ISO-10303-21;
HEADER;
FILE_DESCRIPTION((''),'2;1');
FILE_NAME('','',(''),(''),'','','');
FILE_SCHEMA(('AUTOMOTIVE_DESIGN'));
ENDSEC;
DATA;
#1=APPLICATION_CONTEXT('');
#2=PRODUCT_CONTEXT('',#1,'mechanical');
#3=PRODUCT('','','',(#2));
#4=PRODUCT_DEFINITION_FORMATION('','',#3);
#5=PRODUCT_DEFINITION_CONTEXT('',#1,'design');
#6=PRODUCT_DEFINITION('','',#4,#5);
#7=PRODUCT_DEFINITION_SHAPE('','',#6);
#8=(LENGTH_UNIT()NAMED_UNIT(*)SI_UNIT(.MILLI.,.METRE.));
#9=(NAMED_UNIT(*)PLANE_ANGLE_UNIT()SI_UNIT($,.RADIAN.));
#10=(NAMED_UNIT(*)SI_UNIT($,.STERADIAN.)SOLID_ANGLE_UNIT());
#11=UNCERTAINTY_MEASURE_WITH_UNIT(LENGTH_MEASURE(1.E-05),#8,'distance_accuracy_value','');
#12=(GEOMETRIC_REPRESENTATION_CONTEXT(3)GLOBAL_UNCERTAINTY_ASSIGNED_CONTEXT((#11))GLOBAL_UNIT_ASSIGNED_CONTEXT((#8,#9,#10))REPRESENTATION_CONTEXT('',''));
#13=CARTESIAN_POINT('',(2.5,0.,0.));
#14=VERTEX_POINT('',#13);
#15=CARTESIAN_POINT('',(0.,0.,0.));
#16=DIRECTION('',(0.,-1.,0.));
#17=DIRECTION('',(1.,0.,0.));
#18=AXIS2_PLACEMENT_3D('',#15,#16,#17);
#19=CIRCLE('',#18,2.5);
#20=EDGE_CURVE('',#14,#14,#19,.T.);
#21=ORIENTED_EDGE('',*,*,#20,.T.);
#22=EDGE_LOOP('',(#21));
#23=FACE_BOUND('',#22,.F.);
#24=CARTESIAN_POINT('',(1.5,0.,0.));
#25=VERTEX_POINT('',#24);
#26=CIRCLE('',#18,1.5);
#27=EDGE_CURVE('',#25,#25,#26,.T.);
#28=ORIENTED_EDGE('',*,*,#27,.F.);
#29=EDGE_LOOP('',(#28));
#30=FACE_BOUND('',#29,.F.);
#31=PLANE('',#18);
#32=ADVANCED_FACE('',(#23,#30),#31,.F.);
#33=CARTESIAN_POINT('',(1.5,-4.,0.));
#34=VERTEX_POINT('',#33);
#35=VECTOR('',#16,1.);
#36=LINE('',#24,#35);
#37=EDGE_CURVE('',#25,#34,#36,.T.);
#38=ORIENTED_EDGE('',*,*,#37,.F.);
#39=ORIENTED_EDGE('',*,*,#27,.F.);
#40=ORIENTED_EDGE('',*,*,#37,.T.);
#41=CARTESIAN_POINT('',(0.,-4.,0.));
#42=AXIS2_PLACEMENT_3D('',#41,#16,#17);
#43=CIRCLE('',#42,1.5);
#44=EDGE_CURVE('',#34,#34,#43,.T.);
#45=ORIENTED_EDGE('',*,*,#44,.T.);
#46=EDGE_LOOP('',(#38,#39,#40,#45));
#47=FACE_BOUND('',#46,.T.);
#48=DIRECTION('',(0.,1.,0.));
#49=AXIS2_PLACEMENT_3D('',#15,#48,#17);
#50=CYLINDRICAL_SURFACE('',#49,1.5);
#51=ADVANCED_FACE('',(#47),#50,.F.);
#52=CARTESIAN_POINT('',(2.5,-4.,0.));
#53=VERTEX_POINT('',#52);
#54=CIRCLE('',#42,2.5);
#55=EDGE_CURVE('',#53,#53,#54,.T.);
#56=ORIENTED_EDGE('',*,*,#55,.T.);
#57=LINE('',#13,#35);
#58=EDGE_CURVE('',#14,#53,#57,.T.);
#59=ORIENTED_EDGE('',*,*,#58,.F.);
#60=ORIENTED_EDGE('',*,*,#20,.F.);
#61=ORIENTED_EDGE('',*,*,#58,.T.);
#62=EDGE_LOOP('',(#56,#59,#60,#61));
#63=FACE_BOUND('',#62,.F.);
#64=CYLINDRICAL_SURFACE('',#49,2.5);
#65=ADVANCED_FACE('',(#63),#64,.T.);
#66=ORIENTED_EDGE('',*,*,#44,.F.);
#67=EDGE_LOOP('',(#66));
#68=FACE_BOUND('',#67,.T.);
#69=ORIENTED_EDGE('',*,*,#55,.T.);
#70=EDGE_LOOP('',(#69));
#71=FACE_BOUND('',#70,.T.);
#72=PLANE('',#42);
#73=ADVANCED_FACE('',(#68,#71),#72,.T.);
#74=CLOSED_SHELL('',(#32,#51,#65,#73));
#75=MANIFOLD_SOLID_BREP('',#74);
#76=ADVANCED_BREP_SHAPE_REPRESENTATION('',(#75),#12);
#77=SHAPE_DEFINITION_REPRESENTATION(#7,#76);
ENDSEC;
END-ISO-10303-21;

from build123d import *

# Parameters (mm, degrees)
F0_R     = 2.5
F0_R_2   = 1.5
F1_DEPTH = 4
F3_ANGLE = 90


with BuildPart() as f1:
    # F0 (on Top) → F1 (new body)
    with BuildSketch(Plane.XY):
        Circle(F0_R)
        Circle(F0_R_2, mode=Mode.SUBTRACT)
    extrude(amount=F1_DEPTH)


with BuildPart() as f1_1:
    # F3: moved
    add(f1.part.rotate(Axis((-0.057388, 0, 0), (1, 0, 0)), F3_ANGLE))


solid = f1_1.part
